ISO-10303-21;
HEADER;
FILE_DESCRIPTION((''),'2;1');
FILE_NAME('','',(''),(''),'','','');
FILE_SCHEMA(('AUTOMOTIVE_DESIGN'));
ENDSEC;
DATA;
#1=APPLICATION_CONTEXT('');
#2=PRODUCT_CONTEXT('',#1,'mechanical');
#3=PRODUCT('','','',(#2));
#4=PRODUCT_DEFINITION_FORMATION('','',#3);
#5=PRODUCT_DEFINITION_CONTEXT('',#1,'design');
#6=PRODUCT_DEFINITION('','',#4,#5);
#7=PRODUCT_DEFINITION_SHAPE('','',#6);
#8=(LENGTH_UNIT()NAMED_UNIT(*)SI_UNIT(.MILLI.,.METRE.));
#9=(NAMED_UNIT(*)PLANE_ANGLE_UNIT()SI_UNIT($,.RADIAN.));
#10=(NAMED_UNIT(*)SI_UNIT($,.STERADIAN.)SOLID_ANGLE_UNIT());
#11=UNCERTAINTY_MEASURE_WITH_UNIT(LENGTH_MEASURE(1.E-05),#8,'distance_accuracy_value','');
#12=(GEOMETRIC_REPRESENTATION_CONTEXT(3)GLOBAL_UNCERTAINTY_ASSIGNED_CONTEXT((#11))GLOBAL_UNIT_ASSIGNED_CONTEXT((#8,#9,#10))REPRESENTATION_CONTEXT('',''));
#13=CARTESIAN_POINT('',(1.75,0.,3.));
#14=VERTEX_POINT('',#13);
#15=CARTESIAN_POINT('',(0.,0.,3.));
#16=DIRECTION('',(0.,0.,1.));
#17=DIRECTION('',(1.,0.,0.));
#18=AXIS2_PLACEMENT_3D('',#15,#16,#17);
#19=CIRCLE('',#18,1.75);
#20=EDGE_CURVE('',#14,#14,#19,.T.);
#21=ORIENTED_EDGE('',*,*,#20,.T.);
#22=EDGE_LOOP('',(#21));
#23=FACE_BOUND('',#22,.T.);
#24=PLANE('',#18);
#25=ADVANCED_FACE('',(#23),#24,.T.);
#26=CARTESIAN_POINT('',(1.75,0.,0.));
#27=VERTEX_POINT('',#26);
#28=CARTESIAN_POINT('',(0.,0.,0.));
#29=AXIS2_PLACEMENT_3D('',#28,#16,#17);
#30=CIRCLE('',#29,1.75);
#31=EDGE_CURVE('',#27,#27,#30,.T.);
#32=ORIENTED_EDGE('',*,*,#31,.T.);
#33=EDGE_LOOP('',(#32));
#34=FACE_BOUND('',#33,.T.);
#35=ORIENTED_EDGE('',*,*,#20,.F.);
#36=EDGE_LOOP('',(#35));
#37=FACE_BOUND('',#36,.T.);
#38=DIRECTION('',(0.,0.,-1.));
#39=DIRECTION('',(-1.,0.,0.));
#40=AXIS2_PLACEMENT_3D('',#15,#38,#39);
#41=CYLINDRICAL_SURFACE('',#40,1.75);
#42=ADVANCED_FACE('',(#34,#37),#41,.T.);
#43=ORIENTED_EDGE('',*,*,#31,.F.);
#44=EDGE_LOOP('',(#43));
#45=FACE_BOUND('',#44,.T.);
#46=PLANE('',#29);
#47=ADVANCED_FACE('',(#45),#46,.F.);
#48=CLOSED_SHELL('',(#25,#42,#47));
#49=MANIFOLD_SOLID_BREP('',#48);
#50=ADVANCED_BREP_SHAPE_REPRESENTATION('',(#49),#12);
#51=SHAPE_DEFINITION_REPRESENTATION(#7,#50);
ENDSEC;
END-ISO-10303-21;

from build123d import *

# Parameters (mm, degrees)
SCHIZZO1_R                   = 1.75
ESTRUSIONE_ESTRUSIONE1_DEPTH = 3


with BuildPart() as part:
    # Schizzo1 → Estrusione-Estrusione1 (new body)
    with BuildSketch(Plane.XY):
        Circle(SCHIZZO1_R)
    extrude(amount=ESTRUSIONE_ESTRUSIONE1_DEPTH)


solid = part.part
